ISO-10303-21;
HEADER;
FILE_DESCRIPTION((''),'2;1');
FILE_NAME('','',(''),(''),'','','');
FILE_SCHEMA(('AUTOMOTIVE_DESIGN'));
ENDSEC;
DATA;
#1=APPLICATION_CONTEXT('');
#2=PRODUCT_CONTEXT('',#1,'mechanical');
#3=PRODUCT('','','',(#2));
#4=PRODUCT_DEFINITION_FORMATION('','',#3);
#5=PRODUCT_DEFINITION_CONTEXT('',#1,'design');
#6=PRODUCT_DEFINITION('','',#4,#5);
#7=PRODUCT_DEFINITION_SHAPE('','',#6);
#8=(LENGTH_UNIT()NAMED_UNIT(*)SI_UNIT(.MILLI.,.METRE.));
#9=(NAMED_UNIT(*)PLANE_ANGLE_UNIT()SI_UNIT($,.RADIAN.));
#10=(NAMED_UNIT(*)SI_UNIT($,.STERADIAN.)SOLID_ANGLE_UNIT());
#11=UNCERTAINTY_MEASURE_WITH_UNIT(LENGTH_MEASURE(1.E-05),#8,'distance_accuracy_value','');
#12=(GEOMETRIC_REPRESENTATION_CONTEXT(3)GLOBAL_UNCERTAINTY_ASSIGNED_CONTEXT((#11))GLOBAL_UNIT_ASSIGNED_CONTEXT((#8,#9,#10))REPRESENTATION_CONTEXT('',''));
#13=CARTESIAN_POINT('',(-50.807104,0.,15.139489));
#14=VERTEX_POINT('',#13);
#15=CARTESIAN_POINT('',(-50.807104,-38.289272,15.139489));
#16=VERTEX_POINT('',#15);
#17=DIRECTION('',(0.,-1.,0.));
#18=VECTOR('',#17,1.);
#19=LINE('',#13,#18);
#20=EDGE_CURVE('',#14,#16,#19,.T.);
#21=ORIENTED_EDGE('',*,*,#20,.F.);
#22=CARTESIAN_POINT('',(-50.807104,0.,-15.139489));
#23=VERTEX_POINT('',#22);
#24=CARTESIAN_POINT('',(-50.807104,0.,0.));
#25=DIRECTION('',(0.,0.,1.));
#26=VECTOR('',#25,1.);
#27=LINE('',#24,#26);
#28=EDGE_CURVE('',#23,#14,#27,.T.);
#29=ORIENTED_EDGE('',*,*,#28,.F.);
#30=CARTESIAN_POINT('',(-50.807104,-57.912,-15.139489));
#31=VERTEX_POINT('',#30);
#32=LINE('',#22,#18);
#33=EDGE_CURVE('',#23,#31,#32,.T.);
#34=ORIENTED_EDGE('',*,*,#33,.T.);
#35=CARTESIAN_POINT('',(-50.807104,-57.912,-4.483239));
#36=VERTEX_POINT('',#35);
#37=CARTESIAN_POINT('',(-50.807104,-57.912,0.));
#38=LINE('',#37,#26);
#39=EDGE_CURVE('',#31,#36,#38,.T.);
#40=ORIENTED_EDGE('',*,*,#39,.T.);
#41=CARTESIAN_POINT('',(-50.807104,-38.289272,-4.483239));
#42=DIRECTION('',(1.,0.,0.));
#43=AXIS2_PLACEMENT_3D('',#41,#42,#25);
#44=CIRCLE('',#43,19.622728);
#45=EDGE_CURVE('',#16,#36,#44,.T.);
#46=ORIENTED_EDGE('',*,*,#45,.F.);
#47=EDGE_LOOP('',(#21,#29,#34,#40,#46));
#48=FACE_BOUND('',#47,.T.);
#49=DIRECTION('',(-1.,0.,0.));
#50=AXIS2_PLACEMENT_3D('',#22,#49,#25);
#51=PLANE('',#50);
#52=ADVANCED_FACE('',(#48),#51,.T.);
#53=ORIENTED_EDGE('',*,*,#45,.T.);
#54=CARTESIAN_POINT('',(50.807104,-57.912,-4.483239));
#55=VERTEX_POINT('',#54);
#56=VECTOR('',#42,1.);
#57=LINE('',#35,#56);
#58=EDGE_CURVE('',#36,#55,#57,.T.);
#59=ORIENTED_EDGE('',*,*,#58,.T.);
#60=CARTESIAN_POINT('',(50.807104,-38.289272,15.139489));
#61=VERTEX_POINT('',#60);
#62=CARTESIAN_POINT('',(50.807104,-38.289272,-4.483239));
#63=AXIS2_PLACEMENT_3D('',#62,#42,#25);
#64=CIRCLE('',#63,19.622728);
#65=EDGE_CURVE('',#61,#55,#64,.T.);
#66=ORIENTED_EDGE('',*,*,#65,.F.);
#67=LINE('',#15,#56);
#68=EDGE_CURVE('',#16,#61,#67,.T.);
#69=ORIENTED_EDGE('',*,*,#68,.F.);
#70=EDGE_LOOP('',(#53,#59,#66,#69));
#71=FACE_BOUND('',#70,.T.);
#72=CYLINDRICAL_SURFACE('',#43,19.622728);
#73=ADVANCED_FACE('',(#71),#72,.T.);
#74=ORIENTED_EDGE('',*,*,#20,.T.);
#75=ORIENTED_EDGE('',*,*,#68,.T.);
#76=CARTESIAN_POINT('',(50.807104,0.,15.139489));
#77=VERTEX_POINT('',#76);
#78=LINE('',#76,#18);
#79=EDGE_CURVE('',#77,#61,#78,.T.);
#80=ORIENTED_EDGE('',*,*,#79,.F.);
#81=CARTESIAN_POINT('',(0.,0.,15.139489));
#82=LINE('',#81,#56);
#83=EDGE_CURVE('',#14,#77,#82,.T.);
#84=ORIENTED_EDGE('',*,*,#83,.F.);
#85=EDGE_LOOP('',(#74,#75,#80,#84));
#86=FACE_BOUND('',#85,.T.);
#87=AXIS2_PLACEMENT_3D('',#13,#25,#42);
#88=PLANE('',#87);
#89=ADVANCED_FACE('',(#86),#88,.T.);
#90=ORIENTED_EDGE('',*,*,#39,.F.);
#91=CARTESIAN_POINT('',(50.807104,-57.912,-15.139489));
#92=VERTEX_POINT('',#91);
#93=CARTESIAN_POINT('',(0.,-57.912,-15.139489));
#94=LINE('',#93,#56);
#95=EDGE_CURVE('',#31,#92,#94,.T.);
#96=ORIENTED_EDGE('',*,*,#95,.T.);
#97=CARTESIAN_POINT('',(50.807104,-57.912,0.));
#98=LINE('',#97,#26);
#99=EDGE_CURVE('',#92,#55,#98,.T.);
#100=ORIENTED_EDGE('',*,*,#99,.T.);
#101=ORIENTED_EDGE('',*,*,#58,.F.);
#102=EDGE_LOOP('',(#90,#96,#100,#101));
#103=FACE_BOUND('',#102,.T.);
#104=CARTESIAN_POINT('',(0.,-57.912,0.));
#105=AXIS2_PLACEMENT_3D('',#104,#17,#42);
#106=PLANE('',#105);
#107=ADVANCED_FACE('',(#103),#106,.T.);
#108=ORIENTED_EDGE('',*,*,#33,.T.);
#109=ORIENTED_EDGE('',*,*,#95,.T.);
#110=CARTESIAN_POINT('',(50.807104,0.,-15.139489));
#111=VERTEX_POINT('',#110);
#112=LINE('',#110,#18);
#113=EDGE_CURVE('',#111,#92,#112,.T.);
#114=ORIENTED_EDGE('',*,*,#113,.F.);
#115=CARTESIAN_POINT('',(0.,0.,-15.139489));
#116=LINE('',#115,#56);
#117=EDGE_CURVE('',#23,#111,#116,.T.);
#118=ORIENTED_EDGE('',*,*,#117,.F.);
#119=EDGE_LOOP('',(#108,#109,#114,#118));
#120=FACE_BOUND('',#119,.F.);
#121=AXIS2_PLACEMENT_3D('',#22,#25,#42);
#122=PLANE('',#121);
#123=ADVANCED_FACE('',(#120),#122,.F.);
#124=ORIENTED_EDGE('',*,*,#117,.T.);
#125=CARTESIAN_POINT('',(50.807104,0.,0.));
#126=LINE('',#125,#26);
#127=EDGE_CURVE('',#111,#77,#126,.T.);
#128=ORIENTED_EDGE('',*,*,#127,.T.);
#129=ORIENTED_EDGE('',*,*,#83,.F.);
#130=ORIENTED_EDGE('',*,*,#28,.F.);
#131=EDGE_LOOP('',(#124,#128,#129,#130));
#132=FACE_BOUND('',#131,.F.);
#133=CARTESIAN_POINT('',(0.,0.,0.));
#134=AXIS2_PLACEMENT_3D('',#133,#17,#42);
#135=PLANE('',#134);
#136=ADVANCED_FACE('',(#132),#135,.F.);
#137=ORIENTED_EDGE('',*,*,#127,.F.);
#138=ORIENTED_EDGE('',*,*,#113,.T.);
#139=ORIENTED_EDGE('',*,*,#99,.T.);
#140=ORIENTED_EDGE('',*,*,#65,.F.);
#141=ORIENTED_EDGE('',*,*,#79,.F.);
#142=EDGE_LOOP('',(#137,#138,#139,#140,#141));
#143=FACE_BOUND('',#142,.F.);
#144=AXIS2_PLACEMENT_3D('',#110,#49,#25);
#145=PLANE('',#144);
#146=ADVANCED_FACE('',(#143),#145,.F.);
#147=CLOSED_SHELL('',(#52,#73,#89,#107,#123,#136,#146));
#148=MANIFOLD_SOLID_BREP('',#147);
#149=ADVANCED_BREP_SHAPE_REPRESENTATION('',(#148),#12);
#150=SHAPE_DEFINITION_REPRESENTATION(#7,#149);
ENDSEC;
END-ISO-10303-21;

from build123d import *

# Parameters (mm, degrees)
F0_W     = 101.614208
F0_H     = 30.278978
F1_DEPTH = 57.912
F2_R     = 19.622728


with BuildPart() as f1:
    # F0 (on Front) → F1 (new body)
    with BuildSketch(Plane.XZ):
        Rectangle(F0_W, F0_H)
    extrude(amount=F1_DEPTH)

    # F2
    f2_edges = [f1.edges().sort_by_distance(p)[0] for p in [
        (0, -57.912, 15.139489),
    ]]
    fillet(f2_edges, radius=F2_R)


solid = f1.part
